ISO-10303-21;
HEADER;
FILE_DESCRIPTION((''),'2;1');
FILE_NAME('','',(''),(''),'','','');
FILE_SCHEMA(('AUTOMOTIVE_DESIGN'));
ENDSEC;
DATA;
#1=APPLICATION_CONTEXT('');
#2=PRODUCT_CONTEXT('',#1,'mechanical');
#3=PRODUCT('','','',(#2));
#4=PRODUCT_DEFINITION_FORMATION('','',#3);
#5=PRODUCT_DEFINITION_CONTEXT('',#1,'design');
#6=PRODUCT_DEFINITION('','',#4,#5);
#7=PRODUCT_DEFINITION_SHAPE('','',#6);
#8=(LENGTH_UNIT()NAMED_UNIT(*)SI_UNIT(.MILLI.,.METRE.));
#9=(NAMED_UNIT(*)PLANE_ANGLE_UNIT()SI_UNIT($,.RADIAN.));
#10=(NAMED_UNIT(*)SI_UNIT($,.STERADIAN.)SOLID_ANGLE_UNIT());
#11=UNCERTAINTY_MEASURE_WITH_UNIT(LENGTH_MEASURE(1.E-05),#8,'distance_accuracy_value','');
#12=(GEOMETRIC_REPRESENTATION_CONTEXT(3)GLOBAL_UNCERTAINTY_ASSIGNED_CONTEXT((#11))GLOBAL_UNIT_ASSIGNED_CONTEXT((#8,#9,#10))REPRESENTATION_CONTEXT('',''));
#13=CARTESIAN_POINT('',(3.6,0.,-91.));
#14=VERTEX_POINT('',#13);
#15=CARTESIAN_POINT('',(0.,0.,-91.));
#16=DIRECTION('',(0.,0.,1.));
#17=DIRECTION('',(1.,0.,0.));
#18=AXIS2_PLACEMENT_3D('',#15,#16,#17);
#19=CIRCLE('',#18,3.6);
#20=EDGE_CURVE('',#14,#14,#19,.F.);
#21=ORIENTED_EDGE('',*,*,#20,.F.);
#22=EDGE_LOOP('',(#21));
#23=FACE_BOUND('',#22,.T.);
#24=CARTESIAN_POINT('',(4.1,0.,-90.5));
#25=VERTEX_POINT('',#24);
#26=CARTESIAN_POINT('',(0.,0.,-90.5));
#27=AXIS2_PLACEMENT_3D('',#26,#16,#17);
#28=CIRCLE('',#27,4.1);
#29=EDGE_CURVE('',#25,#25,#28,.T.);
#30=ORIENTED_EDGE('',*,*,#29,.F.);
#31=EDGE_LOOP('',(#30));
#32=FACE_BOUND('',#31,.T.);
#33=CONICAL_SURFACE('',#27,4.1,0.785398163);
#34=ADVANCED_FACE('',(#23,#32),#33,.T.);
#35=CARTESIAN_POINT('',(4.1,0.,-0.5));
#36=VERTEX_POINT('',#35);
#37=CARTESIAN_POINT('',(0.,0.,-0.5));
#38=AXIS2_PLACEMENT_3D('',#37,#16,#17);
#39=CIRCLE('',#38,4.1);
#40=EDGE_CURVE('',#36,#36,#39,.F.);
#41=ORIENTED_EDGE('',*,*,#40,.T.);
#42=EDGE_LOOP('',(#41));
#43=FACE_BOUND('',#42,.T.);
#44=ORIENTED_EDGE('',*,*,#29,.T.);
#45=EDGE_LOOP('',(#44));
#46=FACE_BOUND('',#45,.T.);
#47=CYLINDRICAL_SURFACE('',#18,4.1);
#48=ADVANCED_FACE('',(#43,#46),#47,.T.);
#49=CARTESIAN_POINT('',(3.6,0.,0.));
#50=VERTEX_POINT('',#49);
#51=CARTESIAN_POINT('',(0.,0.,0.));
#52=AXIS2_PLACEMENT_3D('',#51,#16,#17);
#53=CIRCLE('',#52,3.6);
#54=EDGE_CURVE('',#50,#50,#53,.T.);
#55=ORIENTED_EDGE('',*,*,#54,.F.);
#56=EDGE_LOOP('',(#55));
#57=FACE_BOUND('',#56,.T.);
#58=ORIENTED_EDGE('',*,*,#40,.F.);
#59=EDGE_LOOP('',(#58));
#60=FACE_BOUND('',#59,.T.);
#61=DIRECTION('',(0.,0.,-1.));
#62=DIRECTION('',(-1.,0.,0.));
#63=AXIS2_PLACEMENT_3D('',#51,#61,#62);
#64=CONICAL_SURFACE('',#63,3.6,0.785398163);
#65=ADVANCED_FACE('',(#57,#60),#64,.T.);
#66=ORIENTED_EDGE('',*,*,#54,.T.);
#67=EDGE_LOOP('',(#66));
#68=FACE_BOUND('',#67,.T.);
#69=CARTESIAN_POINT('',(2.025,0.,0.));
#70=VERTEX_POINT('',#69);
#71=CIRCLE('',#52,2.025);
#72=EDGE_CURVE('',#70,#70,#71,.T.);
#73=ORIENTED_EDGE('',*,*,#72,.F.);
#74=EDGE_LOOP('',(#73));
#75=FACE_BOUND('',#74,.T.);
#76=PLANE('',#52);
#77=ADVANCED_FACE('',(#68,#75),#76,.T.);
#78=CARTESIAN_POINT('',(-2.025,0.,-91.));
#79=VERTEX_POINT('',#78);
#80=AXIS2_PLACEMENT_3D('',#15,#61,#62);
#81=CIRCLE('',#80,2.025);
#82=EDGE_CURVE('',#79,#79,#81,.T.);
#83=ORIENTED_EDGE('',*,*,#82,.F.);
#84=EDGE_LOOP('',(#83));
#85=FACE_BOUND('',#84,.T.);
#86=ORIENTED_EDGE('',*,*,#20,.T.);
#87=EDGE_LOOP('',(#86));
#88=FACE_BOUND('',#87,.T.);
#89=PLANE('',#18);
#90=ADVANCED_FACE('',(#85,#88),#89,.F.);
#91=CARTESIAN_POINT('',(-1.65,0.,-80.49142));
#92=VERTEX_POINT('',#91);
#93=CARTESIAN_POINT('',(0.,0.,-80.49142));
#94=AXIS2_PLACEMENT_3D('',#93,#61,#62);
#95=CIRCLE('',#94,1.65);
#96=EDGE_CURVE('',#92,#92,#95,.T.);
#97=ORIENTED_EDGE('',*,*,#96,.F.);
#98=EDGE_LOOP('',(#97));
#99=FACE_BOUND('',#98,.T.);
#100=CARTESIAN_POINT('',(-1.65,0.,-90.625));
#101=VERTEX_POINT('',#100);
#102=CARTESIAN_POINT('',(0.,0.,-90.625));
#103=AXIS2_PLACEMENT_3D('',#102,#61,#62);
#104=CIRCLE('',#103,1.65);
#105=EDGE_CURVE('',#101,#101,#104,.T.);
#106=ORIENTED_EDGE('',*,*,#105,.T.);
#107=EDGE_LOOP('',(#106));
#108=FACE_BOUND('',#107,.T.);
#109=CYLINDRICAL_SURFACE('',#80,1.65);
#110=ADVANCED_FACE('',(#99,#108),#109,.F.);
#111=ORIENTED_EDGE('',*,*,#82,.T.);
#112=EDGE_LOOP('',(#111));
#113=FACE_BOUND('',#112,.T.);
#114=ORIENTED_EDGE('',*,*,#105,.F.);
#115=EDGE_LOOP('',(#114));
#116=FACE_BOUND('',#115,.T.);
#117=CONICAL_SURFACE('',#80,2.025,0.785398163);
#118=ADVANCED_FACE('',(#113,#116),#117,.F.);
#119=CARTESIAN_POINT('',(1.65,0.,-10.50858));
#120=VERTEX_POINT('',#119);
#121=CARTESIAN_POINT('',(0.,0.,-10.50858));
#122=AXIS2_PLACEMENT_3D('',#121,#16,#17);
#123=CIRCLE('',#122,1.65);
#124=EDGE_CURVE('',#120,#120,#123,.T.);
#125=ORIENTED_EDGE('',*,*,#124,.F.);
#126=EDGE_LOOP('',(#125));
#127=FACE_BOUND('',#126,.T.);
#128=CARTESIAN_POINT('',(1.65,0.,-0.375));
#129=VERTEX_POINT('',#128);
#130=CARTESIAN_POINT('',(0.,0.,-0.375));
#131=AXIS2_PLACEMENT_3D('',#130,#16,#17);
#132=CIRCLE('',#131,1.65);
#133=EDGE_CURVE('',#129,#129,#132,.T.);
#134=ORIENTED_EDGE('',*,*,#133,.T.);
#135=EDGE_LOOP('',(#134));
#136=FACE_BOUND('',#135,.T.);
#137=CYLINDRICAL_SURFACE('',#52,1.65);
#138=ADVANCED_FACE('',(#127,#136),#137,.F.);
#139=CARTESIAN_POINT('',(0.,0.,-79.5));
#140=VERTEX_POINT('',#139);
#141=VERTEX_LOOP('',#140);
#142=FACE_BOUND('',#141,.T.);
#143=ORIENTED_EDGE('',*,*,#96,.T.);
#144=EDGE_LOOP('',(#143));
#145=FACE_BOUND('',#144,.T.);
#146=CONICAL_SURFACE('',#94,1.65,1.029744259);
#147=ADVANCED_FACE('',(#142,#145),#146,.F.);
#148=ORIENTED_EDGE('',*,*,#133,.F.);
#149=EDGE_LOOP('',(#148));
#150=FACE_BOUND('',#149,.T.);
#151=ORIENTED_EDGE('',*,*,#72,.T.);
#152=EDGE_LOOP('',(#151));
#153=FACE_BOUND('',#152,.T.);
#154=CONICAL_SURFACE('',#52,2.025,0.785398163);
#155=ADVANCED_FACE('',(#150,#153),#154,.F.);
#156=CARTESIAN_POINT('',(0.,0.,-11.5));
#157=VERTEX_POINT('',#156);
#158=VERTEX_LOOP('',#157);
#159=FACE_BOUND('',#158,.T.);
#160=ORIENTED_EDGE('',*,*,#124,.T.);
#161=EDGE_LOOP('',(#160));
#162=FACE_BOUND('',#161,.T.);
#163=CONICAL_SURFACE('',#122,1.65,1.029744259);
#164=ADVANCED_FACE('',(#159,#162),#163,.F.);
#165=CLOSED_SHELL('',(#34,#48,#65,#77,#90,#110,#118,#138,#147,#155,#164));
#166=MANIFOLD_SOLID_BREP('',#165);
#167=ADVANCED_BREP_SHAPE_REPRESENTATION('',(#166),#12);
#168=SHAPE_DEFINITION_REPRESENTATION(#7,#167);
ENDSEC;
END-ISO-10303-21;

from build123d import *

# Parameters (mm, degrees)
SKETCH1_R                  = 4.1
BLANK_DEPTH                = 91
FURO_1_M4X11_5_D           = 3.3
FURO_1_M4X11_5_DEPTH       = 10.508579979
FURO_1_M4X11_5_CSINK_D     = 4.05
FURO_1_M4X11_5_CSINK_ANGLE = 90
FURO_1_M4X11_5_TIP         = 0.991420021
FURO_2_M4X11_5_D           = 3.3
FURO_2_M4X11_5_DEPTH       = 10.508579979
FURO_2_M4X11_5_CSINK_D     = 4.05
FURO_2_M4X11_5_CSINK_ANGLE = 90
FURO_2_M4X11_5_TIP         = 0.991420021
CHANFROS_SIZE              = 0.5


with BuildPart() as part:
    # Sketch1 → Blank (new body)
    with BuildSketch(Plane.XY):
        Circle(SKETCH1_R)
    extrude(amount=-BLANK_DEPTH)

    # Furo 1 -  M4x11.5
    with Locations(Plane.XY):
        with Locations((0, 0)):
            CounterSinkHole(FURO_1_M4X11_5_D / 2, FURO_1_M4X11_5_CSINK_D / 2, depth=FURO_1_M4X11_5_DEPTH, counter_sink_angle=FURO_1_M4X11_5_CSINK_ANGLE)
            with Locations((0, 0, -(FURO_1_M4X11_5_DEPTH + FURO_1_M4X11_5_TIP / 2))):  # 118° drill point
                Cone(0, FURO_1_M4X11_5_D / 2, FURO_1_M4X11_5_TIP, mode=Mode.SUBTRACT)

    # Furo 2 -  M4x11.5
    with Locations(Plane(origin=(0, 0, -91), x_dir=(-1, 0, 0), z_dir=(0, 0, -1))):
        with Locations((0, 0)):
            CounterSinkHole(FURO_2_M4X11_5_D / 2, FURO_2_M4X11_5_CSINK_D / 2, depth=FURO_2_M4X11_5_DEPTH, counter_sink_angle=FURO_2_M4X11_5_CSINK_ANGLE)
            with Locations((0, 0, -(FURO_2_M4X11_5_DEPTH + FURO_2_M4X11_5_TIP / 2))):  # 118° drill point
                Cone(0, FURO_2_M4X11_5_D / 2, FURO_2_M4X11_5_TIP, mode=Mode.SUBTRACT)

    # Chanfros
    chanfros_edges = [part.edges().sort_by_distance(p)[0] for p in [
        (-4.1, 0, 0),
        (-4.1, 0, -91),
    ]]
    chamfer(chanfros_edges, length=CHANFROS_SIZE)


solid = part.part
